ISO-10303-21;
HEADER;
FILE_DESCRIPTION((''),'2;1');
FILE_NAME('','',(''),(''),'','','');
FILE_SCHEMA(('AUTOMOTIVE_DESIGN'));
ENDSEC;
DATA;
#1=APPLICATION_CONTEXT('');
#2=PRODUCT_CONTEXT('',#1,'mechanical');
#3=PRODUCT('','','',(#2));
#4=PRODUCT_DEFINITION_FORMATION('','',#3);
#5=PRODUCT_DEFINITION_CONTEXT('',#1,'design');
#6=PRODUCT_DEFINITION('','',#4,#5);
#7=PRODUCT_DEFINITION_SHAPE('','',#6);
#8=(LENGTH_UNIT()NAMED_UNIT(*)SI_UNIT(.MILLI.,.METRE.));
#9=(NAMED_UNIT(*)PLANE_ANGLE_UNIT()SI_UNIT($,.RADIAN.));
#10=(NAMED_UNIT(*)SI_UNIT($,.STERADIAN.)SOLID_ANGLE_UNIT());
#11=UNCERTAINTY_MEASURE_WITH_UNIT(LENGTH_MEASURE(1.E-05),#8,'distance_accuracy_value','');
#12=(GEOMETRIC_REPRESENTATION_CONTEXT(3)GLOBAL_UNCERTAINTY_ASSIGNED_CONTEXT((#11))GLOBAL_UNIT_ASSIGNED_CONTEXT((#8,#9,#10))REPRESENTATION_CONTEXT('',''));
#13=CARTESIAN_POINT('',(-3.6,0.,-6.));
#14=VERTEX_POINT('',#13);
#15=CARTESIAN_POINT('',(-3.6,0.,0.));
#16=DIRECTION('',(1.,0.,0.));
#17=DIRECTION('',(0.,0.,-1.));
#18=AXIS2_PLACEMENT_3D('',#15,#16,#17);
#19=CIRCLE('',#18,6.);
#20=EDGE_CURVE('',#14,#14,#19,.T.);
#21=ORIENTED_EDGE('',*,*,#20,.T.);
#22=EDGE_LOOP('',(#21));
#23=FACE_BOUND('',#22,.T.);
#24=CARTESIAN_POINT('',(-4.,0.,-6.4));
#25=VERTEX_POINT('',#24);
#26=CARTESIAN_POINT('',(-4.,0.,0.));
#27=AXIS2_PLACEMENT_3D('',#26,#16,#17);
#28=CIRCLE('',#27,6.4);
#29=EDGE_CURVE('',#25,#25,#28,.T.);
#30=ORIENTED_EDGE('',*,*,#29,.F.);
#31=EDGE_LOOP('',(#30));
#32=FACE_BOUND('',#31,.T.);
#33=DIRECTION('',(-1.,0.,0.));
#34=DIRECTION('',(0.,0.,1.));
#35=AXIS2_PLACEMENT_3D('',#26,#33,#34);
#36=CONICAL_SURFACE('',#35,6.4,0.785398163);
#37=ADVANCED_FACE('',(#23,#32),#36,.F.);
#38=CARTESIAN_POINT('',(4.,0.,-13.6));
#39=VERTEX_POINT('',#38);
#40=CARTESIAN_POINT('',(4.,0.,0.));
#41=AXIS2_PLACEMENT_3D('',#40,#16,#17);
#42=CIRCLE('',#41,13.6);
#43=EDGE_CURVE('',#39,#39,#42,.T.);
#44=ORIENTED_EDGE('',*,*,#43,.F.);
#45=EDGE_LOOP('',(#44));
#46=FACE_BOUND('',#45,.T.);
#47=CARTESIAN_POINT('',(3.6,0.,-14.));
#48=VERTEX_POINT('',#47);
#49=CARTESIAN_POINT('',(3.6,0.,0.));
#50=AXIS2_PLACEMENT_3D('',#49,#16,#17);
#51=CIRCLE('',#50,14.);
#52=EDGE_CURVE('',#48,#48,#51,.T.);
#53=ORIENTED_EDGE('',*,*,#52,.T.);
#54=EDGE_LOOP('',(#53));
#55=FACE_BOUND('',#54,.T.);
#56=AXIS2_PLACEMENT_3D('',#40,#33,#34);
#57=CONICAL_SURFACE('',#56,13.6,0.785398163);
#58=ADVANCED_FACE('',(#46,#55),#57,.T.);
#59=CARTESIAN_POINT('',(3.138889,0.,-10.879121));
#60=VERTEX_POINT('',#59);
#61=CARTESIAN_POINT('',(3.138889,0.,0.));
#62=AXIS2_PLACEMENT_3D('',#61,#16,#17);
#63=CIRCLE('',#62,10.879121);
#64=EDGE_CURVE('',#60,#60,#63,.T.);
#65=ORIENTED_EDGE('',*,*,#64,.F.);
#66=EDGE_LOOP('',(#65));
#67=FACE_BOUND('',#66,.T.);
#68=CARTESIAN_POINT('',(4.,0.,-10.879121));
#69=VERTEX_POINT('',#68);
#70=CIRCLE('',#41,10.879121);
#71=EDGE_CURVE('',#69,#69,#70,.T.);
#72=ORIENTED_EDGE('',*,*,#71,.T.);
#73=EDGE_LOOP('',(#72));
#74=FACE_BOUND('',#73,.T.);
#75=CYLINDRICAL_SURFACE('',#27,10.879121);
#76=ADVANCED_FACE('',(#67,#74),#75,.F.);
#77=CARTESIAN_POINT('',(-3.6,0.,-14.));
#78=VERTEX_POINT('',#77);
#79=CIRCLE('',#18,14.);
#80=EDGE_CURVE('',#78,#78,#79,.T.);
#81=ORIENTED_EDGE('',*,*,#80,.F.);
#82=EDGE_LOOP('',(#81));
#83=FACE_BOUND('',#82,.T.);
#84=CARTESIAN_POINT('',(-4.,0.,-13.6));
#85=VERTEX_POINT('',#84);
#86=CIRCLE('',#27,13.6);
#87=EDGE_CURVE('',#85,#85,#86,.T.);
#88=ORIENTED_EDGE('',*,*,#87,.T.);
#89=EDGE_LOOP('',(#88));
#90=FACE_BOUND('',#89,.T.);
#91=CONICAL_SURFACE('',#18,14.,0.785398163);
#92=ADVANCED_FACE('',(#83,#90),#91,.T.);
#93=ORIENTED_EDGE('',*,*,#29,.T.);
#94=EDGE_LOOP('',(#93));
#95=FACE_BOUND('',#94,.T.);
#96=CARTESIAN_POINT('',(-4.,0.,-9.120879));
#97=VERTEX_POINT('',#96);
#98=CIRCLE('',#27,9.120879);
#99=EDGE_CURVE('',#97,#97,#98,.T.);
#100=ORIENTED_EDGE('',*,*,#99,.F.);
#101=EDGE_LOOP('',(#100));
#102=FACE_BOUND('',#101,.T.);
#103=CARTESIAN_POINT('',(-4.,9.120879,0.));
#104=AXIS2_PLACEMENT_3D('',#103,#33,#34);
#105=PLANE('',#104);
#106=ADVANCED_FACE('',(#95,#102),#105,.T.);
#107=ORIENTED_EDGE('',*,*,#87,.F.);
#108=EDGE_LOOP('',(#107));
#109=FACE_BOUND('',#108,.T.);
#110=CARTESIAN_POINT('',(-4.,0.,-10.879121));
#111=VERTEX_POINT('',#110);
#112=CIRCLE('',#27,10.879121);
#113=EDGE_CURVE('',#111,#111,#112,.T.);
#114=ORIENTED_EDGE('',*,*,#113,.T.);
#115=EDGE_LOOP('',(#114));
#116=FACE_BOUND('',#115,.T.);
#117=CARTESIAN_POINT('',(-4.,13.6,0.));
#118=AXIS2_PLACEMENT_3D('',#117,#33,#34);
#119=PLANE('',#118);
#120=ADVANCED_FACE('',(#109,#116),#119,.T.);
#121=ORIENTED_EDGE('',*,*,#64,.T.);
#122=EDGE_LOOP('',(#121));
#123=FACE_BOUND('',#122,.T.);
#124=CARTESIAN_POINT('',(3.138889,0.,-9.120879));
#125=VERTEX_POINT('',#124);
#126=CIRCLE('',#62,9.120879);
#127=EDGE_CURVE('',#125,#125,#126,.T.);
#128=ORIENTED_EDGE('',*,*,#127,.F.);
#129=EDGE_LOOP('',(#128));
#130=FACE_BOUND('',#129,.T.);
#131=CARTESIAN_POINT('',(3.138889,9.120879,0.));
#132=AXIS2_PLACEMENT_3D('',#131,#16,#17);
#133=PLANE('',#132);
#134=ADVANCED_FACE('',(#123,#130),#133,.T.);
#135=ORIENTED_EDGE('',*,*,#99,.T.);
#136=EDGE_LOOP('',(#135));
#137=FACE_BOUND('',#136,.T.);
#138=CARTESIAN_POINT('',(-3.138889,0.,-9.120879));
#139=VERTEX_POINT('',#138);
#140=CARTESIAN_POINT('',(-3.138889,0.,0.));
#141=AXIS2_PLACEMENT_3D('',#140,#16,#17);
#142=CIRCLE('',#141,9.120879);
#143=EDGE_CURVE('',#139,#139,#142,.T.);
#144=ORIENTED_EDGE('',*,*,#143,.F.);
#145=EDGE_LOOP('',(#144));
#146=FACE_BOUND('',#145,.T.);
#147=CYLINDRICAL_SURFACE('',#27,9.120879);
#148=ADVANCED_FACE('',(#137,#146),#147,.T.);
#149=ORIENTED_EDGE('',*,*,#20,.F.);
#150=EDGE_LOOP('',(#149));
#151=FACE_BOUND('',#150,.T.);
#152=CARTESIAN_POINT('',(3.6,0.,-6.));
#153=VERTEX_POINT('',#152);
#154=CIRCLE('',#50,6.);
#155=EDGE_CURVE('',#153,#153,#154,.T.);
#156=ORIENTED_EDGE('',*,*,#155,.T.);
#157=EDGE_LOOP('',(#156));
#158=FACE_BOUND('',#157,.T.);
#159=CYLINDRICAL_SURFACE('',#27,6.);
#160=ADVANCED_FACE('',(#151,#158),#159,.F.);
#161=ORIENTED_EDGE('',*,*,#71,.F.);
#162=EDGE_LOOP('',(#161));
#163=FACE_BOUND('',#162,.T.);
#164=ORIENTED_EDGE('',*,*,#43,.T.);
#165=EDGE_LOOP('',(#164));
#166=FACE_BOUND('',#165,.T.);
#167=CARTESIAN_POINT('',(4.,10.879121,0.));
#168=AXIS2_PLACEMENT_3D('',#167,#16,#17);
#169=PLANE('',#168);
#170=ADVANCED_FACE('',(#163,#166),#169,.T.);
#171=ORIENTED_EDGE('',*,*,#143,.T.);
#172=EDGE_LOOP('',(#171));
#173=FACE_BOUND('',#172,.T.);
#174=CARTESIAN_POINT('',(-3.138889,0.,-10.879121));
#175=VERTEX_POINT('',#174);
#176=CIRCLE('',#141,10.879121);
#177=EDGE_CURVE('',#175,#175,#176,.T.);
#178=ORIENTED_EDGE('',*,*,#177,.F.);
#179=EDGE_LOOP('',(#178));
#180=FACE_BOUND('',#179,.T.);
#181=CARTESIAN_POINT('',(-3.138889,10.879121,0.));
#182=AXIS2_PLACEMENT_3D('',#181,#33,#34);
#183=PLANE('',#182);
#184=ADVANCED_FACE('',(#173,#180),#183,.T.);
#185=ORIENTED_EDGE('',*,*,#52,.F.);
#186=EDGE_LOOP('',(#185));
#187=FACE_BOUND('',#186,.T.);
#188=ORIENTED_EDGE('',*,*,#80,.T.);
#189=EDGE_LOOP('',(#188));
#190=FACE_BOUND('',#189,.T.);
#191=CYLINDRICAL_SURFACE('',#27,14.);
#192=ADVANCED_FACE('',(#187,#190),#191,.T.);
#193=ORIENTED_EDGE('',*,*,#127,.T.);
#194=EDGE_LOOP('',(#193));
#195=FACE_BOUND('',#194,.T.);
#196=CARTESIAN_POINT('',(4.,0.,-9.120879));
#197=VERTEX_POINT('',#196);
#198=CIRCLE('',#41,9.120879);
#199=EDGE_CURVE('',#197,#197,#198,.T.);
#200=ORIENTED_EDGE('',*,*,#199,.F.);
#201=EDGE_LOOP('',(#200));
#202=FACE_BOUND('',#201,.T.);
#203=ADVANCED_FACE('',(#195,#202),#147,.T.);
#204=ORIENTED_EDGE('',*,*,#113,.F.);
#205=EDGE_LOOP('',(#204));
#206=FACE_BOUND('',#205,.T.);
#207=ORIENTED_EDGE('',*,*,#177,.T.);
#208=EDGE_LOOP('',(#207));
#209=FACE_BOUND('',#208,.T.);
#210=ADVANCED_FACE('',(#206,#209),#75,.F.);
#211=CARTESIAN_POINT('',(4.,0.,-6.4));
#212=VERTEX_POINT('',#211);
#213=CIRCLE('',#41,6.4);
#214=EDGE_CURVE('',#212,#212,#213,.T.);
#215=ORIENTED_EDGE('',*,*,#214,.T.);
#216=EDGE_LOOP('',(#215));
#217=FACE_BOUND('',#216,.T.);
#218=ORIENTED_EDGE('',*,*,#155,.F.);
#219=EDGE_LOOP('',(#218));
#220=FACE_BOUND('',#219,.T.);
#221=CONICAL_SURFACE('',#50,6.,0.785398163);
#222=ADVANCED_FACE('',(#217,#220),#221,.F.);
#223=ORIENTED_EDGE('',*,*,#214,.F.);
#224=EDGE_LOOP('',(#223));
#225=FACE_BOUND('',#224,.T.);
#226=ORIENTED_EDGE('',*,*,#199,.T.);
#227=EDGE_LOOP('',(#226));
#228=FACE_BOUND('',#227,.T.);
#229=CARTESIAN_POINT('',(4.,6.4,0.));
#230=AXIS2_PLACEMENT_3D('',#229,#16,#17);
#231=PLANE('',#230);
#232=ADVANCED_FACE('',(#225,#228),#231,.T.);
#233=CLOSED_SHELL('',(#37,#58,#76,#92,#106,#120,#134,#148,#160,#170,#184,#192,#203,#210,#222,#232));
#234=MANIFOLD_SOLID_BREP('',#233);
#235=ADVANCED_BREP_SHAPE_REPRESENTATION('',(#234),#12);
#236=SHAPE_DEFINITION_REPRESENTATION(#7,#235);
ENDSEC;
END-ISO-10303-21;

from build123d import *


with BuildPart() as part:
    # Sketch1 → Revolve1 (revolve)
    with BuildSketch(Plane.XY):
        Polygon((4, 13.6), (3.6, 14), (-3.6, 14), (-4, 13.6), (-4, 10.879120879), (-3.13888889, 10.879120879), (-3.13888889, 9.120879121), (-4, 9.120879121), (-4, 6.4), (-3.6, 6), (3.6, 6), (4, 6.4), (4, 9.120879121), (3.13888889, 9.120879121), (3.13888889, 10.879120879), (4, 10.879120879), align=None)
    revolve(axis=Axis((-4, 0, 0), (1, 0, 0)))


solid = part.part
